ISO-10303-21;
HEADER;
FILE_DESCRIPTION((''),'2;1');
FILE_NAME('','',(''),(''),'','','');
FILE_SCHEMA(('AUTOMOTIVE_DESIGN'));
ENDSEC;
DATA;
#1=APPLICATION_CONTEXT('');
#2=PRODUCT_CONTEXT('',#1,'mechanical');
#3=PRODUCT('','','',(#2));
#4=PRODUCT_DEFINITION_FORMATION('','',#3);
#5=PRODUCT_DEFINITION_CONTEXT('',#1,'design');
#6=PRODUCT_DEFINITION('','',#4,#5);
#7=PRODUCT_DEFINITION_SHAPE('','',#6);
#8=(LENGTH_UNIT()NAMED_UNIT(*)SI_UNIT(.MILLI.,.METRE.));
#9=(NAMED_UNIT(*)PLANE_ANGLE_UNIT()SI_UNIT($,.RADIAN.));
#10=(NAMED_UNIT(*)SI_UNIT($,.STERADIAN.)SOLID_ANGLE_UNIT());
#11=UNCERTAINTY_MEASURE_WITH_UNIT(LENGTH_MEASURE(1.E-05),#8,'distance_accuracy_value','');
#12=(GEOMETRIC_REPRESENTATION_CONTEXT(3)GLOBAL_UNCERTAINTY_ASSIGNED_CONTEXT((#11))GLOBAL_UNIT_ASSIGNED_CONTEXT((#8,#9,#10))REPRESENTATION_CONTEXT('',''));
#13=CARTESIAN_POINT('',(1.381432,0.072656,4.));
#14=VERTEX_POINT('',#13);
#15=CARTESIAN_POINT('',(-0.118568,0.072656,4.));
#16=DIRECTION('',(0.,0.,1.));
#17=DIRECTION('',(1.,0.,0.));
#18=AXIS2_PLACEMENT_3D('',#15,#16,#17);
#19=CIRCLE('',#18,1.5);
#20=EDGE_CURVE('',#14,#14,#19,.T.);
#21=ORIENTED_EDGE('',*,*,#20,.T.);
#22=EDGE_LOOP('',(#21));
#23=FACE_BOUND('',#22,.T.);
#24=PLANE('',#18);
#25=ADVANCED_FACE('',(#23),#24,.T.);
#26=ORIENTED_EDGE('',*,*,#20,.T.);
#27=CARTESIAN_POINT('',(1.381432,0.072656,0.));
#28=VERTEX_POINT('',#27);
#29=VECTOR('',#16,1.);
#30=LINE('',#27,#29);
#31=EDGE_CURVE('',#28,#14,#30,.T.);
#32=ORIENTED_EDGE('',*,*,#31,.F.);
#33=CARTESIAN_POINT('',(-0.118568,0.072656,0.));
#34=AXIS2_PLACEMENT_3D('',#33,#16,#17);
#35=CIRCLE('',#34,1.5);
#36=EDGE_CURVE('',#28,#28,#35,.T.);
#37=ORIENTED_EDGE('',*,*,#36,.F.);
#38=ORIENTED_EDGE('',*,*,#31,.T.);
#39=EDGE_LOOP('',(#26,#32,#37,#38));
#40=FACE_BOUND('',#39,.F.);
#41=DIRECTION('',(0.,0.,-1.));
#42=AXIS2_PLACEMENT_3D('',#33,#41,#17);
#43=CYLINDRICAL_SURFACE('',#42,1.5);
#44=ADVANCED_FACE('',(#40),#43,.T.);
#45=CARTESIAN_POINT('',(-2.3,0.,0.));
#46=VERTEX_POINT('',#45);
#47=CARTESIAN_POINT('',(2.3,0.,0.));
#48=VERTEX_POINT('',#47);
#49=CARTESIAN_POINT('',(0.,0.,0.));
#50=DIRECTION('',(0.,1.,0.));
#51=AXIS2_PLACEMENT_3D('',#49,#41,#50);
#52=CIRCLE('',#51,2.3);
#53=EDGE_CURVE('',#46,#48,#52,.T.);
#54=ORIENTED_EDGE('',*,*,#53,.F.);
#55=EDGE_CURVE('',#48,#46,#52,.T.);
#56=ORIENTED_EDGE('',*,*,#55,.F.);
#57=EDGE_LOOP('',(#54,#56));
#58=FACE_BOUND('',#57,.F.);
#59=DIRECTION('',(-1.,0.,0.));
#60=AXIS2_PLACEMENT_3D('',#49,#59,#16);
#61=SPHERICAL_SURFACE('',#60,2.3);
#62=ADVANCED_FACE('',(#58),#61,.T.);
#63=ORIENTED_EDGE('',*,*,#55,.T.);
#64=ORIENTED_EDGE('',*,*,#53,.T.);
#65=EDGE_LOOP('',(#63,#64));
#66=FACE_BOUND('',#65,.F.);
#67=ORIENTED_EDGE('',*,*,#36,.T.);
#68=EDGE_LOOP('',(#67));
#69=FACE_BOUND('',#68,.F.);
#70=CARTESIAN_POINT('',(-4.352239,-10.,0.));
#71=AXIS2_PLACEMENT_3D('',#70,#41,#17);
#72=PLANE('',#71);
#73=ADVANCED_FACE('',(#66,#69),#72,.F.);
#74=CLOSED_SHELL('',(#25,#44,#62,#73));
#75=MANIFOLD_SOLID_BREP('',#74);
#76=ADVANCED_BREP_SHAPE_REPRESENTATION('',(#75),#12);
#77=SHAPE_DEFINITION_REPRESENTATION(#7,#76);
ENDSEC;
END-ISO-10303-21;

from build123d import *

# Parameters (mm, degrees)
F3_W     = 10
F3_H     = 4.6456689391
F4_DEPTH = 25
F5_R     = 1.5
F6_DEPTH = 4


with BuildPart() as f1:
    # F0 (on Front) → F1 (revolve)
    with BuildSketch(Plane.XZ):
        with BuildLine():
            Line((-2.3, 0), (2.3, 0))
            ThreePointArc((2.3, 0), (0, 2.3), (-2.3, 0))
        make_face()
    revolve(axis=Axis((0, 0, 0), (1, 0, 0)))

    # F3 (on offset) → F4 (cut)
    with BuildSketch(Plane.XZ.offset(10)):
        with Locations((0.6477613404, 2.3228344696)):
            Rectangle(F3_W, F3_H)
    extrude(amount=-F4_DEPTH, mode=Mode.SUBTRACT)

    # F5 (on face) → F6 (join)
    with BuildSketch(Plane.XY):
        with Locations((-0.1185681322, 0.0726561921)):
            Circle(F5_R)
    extrude(amount=F6_DEPTH)


solid = f1.part
